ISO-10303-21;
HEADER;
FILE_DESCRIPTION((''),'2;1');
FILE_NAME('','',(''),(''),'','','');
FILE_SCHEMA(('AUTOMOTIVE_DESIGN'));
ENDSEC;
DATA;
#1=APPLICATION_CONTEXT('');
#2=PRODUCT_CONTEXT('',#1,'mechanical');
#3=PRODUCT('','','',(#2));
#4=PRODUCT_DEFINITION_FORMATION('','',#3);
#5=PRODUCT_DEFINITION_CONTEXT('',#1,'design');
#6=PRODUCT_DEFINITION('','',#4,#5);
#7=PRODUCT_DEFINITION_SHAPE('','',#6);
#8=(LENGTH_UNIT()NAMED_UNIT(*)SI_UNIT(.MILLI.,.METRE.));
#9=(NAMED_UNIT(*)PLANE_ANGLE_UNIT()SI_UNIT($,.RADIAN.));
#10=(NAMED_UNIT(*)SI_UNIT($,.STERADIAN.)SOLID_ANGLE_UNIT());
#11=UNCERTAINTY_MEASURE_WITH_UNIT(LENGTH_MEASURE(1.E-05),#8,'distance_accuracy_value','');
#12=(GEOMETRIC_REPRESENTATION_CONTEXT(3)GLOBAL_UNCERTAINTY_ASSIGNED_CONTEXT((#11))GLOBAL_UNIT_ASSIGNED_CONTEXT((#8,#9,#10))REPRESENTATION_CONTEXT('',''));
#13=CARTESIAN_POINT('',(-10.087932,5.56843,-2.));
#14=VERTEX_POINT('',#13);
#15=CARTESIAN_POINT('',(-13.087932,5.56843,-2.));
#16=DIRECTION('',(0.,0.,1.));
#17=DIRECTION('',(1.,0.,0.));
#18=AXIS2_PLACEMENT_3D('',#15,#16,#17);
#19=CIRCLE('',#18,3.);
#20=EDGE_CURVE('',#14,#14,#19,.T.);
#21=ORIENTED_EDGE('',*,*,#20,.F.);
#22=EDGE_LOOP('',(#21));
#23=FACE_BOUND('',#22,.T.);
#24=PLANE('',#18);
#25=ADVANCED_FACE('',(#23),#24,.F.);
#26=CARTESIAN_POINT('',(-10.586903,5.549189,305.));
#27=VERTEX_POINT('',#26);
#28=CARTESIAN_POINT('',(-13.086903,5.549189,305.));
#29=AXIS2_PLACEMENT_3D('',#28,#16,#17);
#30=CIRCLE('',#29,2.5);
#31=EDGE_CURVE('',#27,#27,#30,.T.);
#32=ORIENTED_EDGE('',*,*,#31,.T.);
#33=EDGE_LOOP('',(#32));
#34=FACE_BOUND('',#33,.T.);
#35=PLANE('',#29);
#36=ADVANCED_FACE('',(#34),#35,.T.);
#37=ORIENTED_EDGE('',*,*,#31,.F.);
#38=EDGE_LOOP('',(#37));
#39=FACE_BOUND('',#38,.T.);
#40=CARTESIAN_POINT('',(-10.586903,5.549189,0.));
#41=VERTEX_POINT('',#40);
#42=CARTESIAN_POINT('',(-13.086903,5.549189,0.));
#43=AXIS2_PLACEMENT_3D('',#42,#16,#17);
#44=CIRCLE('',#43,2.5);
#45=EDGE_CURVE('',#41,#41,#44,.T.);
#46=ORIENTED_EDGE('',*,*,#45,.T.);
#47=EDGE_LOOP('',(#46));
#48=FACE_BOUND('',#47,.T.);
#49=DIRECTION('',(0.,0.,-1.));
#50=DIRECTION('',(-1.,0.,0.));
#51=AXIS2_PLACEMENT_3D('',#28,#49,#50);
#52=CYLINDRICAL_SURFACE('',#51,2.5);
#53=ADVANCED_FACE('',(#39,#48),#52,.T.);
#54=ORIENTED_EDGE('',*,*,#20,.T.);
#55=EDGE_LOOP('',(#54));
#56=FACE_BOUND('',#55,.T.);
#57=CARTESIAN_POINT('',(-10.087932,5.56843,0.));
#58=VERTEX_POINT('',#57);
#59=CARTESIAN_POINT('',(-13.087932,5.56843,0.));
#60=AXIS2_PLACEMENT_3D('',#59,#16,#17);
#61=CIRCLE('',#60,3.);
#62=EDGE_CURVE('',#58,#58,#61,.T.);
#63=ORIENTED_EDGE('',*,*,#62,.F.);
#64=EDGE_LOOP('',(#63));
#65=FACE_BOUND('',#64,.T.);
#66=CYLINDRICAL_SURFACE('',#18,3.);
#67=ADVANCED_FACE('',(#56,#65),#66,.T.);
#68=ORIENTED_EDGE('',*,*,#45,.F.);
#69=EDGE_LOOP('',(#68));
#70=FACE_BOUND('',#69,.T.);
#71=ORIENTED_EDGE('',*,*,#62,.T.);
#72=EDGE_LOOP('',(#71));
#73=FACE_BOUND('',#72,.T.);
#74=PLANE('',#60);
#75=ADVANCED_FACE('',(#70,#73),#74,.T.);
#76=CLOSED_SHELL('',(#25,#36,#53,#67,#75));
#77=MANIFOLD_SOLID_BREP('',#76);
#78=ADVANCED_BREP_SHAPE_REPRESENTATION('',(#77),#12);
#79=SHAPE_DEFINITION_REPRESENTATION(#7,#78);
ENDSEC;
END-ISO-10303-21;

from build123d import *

# Parameters (mm, degrees)
SKETCH2_R           = 2.5
BOSS_EXTRUDE1_DEPTH = 305
SKETCH2_5_R         = 3
BOSS_EXTRUDE2_DEPTH = 2


with BuildPart() as part:
    # Sketch2 → Boss-Extrude1 (new body)
    with BuildSketch(Plane.XY):
        with Locations((-13.086903186, 5.549189199)):
            Circle(SKETCH2_R)
    extrude(amount=BOSS_EXTRUDE1_DEPTH)

    # Sketch2<5> → Boss-Extrude2 (add)
    with BuildSketch(Plane.XY):
        with Locations((-13.087932039, 5.568430377)):
            Circle(SKETCH2_5_R)
    extrude(amount=-BOSS_EXTRUDE2_DEPTH)


solid = part.part
